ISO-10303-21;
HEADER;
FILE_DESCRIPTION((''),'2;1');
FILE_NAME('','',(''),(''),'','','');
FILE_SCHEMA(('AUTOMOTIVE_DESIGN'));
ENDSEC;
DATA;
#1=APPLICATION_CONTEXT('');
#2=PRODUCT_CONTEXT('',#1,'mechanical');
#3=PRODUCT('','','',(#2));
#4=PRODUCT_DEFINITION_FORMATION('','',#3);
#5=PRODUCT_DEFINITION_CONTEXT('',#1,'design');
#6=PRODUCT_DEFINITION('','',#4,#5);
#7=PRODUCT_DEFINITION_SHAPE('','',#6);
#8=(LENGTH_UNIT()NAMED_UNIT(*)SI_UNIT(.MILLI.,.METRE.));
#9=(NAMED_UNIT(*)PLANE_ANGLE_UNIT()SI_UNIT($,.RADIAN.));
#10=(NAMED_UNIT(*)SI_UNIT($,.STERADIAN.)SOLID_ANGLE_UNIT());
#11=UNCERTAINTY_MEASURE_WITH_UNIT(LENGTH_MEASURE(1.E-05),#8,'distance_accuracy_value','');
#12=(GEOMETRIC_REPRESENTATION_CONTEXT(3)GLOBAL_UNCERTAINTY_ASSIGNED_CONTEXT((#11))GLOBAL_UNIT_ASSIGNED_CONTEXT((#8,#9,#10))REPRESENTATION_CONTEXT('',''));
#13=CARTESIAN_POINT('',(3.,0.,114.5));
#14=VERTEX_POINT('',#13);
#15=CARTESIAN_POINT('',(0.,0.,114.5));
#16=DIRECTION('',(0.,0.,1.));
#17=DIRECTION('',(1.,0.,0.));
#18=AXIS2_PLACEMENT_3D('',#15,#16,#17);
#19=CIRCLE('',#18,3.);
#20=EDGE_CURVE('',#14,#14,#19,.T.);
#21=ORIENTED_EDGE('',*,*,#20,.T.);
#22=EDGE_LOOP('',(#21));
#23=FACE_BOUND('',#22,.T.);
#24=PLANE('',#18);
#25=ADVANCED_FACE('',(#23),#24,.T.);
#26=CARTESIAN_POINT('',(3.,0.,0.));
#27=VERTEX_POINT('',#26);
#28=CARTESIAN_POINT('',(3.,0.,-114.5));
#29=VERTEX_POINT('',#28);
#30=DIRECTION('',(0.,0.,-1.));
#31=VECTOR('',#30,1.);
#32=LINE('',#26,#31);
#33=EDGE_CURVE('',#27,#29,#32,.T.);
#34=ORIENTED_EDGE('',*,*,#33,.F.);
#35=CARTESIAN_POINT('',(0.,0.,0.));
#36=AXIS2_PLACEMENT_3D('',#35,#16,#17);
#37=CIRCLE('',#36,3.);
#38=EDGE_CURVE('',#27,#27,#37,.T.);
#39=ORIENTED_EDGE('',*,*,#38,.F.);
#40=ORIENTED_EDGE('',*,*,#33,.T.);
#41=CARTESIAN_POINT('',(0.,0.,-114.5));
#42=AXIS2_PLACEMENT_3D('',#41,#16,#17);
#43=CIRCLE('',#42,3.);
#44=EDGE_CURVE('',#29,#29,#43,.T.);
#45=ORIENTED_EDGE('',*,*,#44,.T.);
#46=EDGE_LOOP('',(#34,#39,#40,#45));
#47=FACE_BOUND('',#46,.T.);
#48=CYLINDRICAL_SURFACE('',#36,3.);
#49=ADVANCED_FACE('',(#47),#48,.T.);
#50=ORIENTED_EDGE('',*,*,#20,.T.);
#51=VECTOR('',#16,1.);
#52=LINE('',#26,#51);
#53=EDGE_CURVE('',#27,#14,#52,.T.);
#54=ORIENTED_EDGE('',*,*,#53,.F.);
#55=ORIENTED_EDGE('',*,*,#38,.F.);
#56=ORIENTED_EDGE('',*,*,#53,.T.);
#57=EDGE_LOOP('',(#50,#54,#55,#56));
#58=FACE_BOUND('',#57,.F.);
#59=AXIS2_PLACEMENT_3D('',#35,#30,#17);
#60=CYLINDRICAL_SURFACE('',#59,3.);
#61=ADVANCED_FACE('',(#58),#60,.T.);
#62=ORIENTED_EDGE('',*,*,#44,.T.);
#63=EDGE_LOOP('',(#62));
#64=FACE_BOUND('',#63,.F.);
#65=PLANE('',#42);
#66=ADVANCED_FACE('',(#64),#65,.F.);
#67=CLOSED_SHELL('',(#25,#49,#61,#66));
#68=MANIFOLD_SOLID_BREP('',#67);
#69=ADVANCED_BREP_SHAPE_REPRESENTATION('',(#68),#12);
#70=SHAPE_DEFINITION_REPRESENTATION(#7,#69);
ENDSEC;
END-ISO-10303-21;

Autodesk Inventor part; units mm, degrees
ref_plane "YZ Plane" through (0, 0, 0) normal (1, 0, 0) x (0, 1, 0)
ref_plane "XZ Plane" through (0, 0, 0) normal (0, 1, 0) x (-1, 0, 0)
ref_plane "XY Plane" through (0, 0, 0) normal (0, 0, 1) x (1, 0, 0)
sketch "スケッチ1" plane through (0, 0, 0) normal (0, 0, 1) x (1, 0, 0)
  circle A0 centre (0, 0) radius 3
  dimension "d0" = 6
extrude "押し出し1" add sketch "スケッチ1" along normal mid plane 229
properties part number "axis3" material "木材 (オーク)"
